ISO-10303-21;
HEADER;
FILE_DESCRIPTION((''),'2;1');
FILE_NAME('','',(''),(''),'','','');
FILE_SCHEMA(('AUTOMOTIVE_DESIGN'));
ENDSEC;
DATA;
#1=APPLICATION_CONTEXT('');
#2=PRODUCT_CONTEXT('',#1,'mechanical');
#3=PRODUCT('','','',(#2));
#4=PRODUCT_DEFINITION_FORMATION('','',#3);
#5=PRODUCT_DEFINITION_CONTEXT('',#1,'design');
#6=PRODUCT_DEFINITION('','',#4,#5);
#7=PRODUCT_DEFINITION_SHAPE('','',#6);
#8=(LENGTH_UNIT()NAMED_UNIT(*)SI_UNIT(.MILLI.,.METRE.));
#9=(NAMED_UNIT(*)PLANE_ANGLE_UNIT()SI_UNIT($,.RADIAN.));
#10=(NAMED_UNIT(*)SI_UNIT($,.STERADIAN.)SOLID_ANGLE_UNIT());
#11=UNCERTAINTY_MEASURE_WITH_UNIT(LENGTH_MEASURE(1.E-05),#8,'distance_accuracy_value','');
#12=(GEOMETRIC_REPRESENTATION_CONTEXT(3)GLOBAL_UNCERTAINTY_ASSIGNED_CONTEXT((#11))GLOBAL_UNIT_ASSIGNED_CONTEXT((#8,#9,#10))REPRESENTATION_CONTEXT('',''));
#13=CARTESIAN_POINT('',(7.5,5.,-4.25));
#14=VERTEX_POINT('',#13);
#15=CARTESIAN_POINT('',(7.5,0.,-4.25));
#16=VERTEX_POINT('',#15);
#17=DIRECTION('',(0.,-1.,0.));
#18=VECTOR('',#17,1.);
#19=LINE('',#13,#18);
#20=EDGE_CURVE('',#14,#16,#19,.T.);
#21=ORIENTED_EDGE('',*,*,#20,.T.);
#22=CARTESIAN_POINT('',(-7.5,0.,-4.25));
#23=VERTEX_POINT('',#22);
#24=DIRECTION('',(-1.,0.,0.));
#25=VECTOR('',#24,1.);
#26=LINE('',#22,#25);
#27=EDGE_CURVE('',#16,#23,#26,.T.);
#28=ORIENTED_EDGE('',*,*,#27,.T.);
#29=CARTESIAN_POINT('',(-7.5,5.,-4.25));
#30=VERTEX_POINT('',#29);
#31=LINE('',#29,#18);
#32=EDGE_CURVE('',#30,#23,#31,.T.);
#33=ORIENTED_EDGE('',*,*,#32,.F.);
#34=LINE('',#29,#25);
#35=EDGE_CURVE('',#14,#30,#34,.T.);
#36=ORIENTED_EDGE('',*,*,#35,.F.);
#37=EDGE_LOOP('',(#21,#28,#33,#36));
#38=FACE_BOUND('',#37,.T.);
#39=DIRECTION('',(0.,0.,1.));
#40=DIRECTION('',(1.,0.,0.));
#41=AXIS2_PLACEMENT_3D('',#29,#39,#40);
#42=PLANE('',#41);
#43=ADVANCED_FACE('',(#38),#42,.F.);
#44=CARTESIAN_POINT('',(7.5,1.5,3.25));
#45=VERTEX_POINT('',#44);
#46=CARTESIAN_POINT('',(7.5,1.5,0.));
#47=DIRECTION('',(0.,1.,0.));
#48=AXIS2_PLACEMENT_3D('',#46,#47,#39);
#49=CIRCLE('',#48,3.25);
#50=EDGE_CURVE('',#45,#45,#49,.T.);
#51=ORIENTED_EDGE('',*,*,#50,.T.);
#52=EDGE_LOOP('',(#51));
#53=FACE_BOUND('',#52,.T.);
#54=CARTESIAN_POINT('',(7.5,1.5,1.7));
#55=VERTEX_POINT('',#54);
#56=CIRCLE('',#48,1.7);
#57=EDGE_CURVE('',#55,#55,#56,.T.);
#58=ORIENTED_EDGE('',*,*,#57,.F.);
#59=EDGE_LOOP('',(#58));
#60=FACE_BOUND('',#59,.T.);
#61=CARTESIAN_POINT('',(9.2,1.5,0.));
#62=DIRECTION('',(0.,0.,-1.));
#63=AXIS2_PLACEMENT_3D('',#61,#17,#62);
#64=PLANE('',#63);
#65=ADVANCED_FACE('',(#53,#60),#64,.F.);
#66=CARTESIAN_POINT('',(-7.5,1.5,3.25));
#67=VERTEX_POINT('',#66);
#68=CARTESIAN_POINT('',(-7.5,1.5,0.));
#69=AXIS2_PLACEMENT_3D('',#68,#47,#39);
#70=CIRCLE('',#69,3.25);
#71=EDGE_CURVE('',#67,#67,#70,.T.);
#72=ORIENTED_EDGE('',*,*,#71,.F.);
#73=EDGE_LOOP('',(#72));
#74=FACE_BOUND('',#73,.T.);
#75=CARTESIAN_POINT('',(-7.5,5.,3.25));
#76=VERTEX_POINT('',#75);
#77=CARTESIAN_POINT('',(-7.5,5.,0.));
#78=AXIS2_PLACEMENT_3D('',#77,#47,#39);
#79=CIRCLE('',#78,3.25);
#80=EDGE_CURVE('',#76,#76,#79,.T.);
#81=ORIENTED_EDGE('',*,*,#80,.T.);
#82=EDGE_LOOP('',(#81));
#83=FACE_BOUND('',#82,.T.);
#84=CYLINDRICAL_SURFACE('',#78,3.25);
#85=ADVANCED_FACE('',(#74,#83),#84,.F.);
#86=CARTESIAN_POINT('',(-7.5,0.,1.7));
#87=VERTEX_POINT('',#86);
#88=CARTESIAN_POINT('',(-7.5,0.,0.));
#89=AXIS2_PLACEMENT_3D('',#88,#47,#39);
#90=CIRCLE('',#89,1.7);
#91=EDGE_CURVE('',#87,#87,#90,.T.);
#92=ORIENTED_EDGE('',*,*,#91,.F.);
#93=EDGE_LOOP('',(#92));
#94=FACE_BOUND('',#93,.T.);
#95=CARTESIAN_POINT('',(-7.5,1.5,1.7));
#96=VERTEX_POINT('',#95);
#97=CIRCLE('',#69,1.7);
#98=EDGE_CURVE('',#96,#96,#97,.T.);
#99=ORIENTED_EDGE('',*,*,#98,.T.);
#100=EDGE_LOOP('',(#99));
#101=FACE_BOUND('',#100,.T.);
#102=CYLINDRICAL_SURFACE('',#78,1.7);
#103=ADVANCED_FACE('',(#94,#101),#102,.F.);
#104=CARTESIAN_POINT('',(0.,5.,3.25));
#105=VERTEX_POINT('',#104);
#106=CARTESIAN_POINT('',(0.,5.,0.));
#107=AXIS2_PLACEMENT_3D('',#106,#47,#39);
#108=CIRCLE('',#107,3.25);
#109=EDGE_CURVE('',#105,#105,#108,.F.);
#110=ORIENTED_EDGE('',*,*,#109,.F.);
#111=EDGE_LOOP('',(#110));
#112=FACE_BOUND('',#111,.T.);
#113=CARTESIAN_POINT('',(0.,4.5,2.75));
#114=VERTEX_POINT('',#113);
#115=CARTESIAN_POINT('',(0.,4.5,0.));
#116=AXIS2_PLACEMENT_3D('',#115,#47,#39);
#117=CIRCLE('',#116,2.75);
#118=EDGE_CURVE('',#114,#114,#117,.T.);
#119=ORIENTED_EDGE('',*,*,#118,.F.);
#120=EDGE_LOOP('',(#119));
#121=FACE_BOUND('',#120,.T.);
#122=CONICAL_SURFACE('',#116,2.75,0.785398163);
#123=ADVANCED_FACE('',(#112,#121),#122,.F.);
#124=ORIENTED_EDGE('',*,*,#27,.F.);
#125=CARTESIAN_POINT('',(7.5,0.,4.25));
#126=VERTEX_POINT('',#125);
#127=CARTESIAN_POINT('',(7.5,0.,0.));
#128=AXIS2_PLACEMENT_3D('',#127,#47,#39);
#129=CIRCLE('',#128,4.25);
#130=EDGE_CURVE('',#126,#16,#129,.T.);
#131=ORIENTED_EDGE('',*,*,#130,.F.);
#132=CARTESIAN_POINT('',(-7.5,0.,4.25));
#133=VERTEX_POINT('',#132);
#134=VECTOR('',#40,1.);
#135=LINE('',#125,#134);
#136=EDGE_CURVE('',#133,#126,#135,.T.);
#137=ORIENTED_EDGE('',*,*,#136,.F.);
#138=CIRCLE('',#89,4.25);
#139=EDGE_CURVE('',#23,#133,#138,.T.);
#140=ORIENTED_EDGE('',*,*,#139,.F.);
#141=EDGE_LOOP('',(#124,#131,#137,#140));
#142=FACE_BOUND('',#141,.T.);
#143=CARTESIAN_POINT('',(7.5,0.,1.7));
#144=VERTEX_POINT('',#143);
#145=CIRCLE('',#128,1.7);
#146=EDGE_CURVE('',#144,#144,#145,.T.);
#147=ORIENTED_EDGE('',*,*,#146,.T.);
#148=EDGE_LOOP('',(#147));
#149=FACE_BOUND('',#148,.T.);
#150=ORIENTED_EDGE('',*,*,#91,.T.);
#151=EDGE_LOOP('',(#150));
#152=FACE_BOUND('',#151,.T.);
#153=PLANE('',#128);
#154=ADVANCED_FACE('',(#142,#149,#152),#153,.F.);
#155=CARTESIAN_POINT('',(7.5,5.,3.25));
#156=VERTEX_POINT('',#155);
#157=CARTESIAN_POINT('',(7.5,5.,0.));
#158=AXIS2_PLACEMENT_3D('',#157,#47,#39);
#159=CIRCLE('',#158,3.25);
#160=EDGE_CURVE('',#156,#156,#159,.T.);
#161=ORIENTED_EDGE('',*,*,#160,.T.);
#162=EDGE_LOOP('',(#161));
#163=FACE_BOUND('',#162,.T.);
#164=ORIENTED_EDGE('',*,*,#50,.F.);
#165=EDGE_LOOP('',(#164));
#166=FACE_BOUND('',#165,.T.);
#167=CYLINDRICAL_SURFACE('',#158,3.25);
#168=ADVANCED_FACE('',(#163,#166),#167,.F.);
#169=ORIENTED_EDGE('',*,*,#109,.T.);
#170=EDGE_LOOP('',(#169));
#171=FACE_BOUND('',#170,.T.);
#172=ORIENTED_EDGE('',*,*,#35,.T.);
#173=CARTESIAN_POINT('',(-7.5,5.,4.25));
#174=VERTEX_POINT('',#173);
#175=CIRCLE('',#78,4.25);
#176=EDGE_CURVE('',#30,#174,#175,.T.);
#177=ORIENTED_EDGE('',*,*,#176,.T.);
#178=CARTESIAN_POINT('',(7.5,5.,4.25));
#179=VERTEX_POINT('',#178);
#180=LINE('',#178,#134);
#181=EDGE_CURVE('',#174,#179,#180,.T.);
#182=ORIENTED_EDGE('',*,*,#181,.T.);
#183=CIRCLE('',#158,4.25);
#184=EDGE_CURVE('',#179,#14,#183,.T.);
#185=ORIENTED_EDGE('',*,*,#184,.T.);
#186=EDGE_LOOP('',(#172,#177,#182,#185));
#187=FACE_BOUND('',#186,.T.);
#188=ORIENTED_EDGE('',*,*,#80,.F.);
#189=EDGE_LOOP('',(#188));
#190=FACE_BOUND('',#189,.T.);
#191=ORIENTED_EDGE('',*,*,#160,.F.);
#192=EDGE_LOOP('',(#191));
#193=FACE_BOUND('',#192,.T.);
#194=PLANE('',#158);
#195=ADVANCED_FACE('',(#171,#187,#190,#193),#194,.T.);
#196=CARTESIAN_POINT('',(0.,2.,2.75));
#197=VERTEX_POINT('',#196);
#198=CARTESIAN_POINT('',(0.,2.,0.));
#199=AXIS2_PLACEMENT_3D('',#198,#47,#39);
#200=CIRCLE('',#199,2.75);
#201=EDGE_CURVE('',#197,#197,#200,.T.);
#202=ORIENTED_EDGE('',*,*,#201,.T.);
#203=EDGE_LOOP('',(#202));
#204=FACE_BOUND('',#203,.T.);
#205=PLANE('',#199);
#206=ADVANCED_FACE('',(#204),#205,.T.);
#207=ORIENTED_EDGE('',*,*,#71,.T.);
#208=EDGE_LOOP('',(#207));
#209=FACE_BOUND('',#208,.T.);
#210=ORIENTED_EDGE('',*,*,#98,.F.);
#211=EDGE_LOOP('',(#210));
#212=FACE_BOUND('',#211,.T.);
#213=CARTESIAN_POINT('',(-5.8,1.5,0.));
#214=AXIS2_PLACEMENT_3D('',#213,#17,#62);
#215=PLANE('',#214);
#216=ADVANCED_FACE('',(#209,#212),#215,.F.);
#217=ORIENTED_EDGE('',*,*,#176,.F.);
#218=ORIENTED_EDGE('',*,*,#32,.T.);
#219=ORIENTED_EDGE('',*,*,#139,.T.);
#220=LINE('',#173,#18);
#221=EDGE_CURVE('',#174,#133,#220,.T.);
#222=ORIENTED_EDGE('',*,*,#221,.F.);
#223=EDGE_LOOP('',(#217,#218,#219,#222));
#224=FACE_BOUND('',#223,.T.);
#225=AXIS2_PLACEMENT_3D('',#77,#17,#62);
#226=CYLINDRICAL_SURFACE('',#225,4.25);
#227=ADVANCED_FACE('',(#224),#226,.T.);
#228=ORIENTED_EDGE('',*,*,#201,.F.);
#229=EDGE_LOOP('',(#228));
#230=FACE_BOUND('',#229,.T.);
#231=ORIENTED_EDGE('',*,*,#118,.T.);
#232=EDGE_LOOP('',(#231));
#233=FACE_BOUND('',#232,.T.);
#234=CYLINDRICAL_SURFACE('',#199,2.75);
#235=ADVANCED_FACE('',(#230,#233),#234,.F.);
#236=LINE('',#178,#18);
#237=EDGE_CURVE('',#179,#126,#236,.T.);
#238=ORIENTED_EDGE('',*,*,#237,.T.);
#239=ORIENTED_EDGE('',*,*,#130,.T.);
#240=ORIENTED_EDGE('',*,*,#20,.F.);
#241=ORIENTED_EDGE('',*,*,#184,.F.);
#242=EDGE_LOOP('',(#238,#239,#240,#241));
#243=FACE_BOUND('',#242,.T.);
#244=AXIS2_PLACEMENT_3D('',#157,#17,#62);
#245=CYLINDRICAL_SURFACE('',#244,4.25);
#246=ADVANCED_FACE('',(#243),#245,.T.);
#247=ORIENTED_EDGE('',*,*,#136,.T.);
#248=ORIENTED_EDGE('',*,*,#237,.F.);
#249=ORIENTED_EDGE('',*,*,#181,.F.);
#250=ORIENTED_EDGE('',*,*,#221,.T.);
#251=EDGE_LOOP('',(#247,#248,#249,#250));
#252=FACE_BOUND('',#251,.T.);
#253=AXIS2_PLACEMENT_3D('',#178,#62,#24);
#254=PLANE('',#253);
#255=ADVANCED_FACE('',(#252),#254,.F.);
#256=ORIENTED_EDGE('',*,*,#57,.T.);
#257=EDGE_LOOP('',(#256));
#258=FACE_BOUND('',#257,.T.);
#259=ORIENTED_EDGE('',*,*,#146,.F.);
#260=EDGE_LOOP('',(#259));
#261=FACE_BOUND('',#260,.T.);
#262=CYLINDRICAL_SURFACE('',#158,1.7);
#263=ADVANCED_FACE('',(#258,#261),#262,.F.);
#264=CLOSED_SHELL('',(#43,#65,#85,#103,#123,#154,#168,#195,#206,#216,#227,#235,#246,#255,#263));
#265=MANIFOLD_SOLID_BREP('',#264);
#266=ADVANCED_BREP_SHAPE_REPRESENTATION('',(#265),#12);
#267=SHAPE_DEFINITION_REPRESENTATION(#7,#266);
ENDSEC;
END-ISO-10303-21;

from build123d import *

# Parameters (mm, degrees)
BOSS_EXTRUDE1_DEPTH                                 = 5
SKETCH2_R                                           = 2.75
CUT_EXTRUDE1_DEPTH                                  = 3
CBORE_FOR_M3_HEX_SOCKET_HEAD_CAP_SCREW1_D           = 3.4
CBORE_FOR_M3_HEX_SOCKET_HEAD_CAP_SCREW1_CBORE_D     = 6.5
CBORE_FOR_M3_HEX_SOCKET_HEAD_CAP_SCREW1_CBORE_DEPTH = 3.5
CHAMFER1_SIZE                                       = 0.5


with BuildPart() as part:
    # Sketch1 → Boss-Extrude1 (new body)
    with BuildSketch(Plane(origin=(0, 0, 0), x_dir=(1, 0, 0), z_dir=(0, 1, 0))):
        with BuildLine():
            Line((-7.5, 4.25), (7.5, 4.25))
            ThreePointArc((7.5, 4.25), (11.75, 0), (7.5, -4.25))
            Line((7.5, -4.25), (-7.5, -4.25))
            ThreePointArc((-7.5, -4.25), (-11.75, 0), (-7.5, 4.25))
        make_face()
    extrude(amount=BOSS_EXTRUDE1_DEPTH)

    # Sketch2 → Cut-Extrude1 (cut)
    with BuildSketch(Plane(origin=(0, 5, 0), x_dir=(1, 0, 0), z_dir=(0, 1, 0))):
        with Locations(Location((0, 0, 0), (0, 0, 270))):
            Circle(SKETCH2_R)
    extrude(amount=-CUT_EXTRUDE1_DEPTH, mode=Mode.SUBTRACT)

    # CBORE for M3 Hex Socket Head Cap Screw1 (through all)
    with Locations(Plane(origin=(0, 5, 0), x_dir=(1, 0, 0), z_dir=(0, 1, 0))):
        with Locations((-7.5, 0), (7.5, 0)):
            CounterBoreHole(CBORE_FOR_M3_HEX_SOCKET_HEAD_CAP_SCREW1_D / 2, CBORE_FOR_M3_HEX_SOCKET_HEAD_CAP_SCREW1_CBORE_D / 2, CBORE_FOR_M3_HEX_SOCKET_HEAD_CAP_SCREW1_CBORE_DEPTH)

    # Chamfer1
    chamfer1_edges = [part.edges().sort_by_distance(p)[0] for p in [
        (0, 5, -2.75),
    ]]
    chamfer(chamfer1_edges, length=CHAMFER1_SIZE)


solid = part.part
